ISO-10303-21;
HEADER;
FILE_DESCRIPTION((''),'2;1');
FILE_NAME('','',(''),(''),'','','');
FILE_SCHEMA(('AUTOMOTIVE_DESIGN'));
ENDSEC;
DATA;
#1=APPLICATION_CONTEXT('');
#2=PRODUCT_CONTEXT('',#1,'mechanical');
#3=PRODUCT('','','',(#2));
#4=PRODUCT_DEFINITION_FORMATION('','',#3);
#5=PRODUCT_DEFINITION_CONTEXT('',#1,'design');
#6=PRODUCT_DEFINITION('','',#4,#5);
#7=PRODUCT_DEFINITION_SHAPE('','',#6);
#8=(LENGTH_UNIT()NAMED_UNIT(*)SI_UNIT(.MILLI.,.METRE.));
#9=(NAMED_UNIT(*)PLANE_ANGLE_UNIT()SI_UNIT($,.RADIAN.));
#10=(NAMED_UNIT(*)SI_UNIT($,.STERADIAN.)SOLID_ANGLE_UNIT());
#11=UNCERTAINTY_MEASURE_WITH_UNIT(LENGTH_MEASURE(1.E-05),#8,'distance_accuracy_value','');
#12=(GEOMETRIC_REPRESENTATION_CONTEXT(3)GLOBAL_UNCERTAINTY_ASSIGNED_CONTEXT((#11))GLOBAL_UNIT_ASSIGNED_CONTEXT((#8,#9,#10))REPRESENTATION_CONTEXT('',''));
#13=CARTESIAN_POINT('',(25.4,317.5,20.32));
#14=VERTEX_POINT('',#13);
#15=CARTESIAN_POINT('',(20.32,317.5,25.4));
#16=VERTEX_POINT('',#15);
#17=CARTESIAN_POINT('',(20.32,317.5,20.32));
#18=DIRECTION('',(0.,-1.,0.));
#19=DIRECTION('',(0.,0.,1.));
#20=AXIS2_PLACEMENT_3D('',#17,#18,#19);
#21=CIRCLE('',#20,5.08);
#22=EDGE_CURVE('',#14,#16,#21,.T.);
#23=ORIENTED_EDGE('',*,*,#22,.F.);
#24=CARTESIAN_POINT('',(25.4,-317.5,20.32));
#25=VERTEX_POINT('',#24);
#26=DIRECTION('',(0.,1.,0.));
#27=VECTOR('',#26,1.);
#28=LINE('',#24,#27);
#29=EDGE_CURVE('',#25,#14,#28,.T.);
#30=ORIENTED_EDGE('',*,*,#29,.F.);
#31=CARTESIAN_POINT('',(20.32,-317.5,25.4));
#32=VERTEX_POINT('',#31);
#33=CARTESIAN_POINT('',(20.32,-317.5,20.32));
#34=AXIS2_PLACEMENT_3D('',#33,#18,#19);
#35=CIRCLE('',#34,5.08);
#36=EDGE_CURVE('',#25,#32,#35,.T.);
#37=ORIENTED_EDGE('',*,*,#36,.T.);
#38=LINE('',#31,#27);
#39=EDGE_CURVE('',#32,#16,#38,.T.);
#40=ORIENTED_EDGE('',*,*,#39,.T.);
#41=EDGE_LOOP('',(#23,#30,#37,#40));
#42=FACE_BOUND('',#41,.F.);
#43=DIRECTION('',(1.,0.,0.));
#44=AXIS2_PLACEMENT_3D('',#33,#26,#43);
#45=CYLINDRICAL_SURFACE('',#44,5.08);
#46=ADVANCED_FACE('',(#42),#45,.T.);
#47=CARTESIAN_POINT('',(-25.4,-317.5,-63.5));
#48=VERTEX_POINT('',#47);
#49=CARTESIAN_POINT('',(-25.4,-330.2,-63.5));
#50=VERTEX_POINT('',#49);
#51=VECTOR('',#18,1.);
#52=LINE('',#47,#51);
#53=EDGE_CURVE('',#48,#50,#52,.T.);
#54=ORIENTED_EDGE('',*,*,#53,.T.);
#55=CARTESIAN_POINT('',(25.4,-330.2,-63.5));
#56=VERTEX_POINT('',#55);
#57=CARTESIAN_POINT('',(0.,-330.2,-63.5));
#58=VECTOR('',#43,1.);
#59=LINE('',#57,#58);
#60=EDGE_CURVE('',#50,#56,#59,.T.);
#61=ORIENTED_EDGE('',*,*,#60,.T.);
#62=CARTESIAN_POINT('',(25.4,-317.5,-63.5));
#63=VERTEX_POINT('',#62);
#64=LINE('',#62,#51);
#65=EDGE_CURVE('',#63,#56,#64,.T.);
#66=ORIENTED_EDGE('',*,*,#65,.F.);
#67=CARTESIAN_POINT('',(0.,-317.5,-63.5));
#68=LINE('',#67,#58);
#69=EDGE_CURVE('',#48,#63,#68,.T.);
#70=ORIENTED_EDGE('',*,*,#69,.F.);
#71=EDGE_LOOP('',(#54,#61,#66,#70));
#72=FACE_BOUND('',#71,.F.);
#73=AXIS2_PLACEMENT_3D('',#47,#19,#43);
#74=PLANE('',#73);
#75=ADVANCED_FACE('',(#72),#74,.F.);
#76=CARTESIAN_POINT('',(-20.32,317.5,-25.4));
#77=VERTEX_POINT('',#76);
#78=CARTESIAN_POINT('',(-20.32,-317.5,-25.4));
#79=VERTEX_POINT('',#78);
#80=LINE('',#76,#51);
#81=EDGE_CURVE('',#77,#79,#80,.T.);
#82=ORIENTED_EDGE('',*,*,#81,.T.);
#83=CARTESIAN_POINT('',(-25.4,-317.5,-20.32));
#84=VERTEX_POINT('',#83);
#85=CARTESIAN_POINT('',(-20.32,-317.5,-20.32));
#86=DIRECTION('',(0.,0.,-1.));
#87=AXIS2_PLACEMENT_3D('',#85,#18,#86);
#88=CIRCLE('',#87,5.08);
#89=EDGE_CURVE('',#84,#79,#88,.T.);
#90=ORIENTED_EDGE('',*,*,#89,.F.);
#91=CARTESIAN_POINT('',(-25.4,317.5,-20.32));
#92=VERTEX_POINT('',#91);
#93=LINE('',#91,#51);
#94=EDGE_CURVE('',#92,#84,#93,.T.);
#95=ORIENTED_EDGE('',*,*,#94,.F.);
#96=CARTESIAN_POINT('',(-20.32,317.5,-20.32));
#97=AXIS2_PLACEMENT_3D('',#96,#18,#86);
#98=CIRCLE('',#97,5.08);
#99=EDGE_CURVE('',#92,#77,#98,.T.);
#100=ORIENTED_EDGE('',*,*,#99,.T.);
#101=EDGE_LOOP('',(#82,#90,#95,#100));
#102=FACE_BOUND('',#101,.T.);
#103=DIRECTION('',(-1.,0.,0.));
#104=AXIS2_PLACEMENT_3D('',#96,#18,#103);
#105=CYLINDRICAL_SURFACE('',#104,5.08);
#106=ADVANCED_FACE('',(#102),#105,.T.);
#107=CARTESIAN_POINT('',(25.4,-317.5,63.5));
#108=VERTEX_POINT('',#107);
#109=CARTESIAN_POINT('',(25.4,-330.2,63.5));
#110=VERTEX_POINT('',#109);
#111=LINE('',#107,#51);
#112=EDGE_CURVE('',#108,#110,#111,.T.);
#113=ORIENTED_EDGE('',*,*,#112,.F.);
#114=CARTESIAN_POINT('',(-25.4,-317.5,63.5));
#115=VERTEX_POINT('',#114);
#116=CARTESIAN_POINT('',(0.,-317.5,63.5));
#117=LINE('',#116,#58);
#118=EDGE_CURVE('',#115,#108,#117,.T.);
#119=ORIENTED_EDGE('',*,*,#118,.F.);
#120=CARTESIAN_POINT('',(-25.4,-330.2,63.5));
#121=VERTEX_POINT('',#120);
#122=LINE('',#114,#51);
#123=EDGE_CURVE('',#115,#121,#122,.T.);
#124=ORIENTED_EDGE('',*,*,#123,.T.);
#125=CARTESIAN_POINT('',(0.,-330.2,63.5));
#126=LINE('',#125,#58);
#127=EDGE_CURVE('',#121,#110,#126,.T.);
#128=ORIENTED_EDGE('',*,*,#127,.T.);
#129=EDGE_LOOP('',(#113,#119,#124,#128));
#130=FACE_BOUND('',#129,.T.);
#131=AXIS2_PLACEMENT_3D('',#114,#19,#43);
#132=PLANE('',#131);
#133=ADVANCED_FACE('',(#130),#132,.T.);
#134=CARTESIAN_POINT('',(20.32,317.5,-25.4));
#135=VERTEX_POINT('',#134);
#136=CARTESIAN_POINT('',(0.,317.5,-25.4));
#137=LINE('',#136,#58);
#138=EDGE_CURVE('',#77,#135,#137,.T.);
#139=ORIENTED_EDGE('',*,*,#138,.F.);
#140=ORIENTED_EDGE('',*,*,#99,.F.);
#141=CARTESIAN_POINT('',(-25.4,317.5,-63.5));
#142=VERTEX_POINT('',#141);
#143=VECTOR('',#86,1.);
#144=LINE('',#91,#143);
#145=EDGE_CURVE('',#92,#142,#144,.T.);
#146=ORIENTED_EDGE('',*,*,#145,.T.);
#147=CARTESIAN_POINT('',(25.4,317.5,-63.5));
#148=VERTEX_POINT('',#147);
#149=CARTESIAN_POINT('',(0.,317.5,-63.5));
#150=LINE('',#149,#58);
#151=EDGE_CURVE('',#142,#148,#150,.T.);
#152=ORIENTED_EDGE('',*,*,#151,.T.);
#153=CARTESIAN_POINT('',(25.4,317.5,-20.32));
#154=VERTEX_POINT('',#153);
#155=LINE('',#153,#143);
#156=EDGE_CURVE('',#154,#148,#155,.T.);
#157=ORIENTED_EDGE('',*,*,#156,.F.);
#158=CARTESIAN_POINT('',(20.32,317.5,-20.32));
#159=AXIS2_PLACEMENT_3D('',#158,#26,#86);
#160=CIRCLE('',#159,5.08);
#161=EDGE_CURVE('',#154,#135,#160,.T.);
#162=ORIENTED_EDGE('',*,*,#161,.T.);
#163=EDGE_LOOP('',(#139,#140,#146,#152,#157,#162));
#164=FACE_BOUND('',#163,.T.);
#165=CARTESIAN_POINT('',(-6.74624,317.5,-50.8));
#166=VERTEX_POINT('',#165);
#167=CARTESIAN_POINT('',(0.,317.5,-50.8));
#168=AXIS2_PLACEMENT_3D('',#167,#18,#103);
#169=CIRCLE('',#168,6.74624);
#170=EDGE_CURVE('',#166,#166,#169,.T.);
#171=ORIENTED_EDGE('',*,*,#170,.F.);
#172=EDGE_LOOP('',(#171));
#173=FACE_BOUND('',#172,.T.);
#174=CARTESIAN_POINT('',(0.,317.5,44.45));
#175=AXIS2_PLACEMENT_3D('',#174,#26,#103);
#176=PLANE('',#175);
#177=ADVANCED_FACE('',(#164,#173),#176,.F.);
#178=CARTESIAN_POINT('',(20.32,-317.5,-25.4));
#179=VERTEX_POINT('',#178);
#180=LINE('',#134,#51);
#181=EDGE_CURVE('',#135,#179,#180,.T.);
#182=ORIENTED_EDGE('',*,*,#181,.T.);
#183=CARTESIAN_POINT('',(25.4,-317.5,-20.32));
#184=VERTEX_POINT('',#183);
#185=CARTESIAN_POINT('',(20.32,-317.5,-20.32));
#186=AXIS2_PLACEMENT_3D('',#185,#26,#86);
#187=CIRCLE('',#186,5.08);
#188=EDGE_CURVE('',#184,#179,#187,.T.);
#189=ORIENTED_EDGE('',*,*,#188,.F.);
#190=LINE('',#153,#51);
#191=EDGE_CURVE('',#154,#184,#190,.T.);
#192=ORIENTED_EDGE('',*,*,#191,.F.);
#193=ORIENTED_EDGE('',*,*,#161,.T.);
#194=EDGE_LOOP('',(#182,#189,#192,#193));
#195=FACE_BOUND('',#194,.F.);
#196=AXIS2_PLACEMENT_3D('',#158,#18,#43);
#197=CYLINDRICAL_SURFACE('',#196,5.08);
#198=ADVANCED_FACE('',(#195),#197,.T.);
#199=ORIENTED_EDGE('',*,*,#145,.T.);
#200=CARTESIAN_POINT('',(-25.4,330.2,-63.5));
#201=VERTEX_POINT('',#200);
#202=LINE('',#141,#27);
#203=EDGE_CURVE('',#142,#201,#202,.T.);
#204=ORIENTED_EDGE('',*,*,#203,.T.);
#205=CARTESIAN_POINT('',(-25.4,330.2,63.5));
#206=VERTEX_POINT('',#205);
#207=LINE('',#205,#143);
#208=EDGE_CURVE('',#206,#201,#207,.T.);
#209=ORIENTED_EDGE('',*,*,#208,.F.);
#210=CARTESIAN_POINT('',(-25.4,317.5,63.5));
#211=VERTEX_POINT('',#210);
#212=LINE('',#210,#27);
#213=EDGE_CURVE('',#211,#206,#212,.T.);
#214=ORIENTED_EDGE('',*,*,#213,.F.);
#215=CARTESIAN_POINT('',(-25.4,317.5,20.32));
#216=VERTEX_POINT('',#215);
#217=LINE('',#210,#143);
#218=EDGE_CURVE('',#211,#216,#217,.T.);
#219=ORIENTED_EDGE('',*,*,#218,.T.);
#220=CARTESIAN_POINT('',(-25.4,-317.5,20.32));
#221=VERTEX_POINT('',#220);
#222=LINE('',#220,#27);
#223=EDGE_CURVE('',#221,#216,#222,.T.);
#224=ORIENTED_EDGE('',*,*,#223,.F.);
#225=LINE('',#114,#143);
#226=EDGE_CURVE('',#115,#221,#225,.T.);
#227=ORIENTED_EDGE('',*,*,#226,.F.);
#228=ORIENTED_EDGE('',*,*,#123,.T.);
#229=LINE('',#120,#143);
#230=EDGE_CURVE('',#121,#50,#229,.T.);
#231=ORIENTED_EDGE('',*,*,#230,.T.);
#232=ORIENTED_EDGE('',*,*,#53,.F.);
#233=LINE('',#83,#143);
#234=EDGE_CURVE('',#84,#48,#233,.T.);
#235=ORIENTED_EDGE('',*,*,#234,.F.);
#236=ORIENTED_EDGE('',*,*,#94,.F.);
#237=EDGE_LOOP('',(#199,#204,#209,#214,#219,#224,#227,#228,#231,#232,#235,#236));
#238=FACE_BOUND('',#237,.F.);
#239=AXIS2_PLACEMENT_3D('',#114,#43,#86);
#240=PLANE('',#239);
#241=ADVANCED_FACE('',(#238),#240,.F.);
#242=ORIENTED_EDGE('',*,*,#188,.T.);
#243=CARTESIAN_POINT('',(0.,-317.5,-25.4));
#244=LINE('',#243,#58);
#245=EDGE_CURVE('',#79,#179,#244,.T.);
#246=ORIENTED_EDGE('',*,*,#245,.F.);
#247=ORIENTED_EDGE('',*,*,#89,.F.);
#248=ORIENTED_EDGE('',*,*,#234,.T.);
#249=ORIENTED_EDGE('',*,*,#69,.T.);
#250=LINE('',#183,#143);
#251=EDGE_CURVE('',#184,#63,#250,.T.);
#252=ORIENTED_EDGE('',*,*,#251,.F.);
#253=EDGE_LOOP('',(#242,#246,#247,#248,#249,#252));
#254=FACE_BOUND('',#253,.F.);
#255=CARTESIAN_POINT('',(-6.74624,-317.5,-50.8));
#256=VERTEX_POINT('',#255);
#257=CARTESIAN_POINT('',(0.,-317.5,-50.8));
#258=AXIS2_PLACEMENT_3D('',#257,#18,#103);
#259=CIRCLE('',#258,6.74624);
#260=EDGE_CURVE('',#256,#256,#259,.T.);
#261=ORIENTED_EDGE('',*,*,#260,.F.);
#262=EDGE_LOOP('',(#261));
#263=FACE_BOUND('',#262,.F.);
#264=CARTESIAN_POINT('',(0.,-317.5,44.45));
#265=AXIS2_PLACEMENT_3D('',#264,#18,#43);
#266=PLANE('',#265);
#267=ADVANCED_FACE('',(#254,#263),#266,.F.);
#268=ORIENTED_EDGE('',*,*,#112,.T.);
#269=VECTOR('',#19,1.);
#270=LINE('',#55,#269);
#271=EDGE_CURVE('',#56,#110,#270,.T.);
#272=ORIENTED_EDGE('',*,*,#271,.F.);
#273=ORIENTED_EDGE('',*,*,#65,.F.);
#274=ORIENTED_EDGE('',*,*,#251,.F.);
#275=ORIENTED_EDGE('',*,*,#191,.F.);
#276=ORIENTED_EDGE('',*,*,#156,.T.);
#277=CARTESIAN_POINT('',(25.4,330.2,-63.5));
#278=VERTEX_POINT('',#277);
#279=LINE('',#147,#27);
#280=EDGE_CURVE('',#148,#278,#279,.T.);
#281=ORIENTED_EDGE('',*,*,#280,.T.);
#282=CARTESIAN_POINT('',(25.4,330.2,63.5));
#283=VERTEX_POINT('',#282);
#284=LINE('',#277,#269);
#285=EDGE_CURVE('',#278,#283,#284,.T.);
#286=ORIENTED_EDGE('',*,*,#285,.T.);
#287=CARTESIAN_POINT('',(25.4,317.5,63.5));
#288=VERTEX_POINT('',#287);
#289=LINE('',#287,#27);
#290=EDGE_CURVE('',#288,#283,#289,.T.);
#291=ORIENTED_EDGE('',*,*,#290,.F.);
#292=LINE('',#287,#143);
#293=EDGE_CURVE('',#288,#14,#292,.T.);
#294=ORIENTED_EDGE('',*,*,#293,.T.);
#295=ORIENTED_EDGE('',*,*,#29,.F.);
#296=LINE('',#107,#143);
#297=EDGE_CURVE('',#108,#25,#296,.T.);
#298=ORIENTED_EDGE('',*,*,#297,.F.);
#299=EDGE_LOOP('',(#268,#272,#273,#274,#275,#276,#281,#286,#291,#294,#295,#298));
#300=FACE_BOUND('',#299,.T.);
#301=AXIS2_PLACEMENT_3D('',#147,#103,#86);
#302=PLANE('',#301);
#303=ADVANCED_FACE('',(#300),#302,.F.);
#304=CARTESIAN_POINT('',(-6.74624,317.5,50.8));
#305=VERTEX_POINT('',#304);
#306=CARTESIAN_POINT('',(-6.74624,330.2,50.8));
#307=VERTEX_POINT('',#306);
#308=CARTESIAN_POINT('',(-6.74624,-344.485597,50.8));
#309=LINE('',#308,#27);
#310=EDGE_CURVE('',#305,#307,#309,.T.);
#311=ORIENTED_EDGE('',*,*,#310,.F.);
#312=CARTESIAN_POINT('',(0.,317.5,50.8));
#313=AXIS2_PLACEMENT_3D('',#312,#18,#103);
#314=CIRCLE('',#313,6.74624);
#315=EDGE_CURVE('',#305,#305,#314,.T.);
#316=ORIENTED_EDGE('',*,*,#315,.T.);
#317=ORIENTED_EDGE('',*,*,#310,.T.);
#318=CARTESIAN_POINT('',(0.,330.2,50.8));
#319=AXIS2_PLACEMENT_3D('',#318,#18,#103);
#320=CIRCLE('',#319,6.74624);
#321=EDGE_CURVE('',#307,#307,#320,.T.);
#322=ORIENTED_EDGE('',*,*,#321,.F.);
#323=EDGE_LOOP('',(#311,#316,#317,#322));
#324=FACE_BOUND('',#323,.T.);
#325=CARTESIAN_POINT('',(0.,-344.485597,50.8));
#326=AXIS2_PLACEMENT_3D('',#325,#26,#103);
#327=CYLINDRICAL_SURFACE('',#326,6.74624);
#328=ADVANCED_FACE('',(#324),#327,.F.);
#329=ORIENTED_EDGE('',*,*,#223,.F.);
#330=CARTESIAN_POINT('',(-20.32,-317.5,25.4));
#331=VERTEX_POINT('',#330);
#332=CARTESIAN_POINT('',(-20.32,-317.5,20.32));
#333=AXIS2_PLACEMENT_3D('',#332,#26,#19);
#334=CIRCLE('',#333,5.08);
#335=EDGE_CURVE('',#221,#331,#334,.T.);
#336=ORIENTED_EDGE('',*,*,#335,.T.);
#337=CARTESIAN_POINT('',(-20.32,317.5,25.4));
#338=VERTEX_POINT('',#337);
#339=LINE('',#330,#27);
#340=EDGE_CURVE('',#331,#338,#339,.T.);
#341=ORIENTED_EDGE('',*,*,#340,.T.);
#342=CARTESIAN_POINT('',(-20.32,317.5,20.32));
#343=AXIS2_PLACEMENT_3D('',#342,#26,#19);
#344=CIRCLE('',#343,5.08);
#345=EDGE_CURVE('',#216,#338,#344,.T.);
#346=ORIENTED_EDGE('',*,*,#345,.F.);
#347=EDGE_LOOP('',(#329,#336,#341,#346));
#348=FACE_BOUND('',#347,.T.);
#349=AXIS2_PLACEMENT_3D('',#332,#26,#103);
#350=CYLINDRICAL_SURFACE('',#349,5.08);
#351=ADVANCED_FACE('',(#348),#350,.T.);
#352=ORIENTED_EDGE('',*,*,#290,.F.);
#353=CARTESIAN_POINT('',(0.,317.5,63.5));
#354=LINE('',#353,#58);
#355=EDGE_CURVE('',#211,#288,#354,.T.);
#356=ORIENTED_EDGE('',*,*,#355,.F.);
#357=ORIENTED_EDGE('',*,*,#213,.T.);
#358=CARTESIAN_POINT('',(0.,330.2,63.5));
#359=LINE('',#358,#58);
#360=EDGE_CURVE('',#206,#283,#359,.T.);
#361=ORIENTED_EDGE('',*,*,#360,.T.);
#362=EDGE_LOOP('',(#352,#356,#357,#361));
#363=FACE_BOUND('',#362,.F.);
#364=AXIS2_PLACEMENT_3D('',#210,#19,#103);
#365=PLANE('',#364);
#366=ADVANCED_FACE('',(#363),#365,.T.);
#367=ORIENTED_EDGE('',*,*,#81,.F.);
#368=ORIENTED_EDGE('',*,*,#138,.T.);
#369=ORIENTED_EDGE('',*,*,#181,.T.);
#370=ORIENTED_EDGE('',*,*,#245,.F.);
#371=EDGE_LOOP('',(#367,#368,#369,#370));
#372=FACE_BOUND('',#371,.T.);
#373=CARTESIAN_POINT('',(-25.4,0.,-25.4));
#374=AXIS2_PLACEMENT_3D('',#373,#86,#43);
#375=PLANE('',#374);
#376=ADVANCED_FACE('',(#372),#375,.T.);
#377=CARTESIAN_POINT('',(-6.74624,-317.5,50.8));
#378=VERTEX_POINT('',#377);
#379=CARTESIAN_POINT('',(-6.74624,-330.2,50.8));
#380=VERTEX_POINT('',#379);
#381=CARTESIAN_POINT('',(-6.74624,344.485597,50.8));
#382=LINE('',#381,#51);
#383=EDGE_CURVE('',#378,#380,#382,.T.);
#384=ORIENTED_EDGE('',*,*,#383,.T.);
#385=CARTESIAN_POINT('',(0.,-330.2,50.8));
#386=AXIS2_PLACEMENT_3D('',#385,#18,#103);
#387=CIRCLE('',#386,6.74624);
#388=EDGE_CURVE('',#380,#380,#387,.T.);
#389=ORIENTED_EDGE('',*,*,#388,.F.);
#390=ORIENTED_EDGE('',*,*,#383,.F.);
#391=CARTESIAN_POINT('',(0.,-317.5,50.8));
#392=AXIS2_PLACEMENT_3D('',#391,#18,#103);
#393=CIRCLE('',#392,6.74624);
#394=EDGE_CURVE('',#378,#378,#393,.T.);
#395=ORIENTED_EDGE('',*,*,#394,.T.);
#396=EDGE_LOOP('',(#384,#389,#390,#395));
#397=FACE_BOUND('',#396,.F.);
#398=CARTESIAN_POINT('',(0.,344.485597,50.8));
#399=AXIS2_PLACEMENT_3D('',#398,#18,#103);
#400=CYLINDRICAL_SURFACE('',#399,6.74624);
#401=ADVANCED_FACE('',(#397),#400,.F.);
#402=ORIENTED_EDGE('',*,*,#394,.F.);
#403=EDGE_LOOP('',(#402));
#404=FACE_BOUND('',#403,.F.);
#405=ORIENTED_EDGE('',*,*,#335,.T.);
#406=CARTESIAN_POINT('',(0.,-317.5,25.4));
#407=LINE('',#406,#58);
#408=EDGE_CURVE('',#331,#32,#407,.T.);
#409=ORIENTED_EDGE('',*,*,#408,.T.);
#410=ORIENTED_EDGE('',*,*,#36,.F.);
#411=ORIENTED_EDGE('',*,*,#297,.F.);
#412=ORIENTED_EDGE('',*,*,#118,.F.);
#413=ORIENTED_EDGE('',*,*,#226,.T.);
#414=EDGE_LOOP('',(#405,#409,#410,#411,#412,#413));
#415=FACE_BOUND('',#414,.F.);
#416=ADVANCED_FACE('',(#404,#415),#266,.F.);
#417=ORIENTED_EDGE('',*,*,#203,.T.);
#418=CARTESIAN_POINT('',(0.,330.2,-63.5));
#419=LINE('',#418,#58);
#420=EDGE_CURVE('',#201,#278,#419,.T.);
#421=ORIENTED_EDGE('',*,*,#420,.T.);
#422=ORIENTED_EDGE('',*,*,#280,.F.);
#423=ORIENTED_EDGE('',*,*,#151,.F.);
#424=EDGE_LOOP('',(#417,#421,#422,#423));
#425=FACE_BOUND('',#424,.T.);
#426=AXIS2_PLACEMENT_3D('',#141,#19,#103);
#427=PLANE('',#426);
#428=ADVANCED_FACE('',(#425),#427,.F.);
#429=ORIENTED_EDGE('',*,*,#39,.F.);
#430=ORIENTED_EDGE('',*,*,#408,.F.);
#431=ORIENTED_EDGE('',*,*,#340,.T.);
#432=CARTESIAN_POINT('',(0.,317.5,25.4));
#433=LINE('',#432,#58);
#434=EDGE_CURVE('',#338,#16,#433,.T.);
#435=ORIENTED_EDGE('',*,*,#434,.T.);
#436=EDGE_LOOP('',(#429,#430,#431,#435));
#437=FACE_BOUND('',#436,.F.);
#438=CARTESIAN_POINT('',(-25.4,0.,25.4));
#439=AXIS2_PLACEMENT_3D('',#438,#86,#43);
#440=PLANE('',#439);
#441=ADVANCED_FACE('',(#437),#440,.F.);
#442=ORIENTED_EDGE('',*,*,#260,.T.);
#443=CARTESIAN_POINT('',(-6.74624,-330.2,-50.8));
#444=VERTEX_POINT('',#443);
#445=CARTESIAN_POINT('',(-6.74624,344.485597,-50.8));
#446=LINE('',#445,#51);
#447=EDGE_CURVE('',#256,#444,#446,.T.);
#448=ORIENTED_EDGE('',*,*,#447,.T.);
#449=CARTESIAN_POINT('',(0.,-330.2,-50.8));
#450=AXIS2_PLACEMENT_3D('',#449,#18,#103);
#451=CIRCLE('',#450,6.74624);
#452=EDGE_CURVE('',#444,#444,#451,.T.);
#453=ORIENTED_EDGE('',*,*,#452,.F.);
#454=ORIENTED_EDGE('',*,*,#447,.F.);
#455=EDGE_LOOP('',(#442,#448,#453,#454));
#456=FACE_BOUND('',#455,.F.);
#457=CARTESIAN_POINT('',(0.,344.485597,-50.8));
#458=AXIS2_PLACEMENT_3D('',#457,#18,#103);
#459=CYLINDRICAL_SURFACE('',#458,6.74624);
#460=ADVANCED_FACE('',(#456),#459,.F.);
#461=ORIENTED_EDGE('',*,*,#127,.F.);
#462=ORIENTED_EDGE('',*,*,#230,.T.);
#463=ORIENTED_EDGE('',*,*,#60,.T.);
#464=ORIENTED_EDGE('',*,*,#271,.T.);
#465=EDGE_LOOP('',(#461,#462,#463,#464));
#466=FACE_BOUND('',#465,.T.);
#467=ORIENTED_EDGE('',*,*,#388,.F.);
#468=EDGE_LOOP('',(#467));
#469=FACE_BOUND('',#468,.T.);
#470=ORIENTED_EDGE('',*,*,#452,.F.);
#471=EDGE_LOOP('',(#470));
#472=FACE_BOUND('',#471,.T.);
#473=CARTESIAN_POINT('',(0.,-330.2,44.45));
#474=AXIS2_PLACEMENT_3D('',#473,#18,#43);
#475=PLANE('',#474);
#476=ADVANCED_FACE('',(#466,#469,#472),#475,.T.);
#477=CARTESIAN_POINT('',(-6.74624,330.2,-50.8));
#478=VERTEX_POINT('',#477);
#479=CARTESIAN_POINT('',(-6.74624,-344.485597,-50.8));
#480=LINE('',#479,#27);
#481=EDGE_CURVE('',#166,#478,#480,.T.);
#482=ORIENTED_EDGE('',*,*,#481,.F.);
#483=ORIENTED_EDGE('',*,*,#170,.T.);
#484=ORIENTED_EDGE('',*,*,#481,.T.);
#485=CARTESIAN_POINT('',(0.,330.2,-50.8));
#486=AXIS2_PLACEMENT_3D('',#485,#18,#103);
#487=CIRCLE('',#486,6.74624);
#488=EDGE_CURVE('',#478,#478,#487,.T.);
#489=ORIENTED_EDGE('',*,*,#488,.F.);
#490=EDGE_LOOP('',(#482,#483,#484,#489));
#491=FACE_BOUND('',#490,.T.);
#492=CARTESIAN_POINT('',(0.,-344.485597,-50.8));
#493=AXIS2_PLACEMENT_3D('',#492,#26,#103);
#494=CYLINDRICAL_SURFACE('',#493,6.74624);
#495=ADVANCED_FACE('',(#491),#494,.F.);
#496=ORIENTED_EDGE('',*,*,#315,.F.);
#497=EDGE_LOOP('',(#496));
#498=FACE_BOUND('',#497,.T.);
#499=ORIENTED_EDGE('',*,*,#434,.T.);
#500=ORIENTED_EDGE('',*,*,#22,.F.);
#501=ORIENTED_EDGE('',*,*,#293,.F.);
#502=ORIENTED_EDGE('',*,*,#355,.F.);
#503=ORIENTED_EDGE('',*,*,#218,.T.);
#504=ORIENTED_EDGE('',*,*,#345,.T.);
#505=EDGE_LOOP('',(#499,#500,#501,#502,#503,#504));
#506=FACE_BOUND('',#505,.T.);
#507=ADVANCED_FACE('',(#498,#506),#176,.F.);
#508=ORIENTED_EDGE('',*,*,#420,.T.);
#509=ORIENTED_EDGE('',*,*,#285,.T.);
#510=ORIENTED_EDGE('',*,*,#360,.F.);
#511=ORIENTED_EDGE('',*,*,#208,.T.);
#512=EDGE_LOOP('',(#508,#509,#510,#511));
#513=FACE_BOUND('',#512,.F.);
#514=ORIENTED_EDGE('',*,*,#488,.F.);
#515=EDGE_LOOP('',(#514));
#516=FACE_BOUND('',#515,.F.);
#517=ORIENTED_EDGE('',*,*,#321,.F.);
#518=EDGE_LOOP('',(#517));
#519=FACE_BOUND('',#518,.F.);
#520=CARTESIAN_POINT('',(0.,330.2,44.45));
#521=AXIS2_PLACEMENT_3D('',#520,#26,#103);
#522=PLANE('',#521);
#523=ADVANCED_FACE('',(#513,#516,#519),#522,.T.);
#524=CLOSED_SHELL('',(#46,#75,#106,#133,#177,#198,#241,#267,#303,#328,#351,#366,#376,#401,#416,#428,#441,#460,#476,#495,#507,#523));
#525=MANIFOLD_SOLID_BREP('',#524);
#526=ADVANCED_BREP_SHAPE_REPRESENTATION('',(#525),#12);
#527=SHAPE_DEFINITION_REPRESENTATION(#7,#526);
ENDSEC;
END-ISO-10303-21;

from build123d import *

# Parameters (mm, degrees)
F0_W     = 50.8
F0_H     = 50.8
F1_DEPTH = 317.5
F2_W     = 50.8
F2_H     = 38.1
F2_H_2   = 50.8
F3_DEPTH = 12.7
F4_R     = 5.08
F5_D     = 13.49248


with BuildPart() as f1:
    # F0 (on Front) → F1 (new body, symmetric)
    with BuildSketch(Plane.XZ):
        Rectangle(F0_W, F0_H)
    extrude(amount=F1_DEPTH, both=True)

    # F2 (on face) → F3 (join)
    with BuildSketch(Plane.XZ.offset(317.5)):
        with Locations((0, 44.45)):
            Rectangle(F2_W, F2_H)
        Rectangle(F2_W, F2_H_2)
        with Locations((0, -44.45)):
            Rectangle(F2_W, F2_H)
    extrude(amount=F3_DEPTH)

    # F4
    f4_edges = [f1.edges().sort_by_distance(p)[0] for p in [
        (25.4, 0, 25.4),
        (-25.4, 0, 25.4),
        (-25.4, 0, -25.4),
        (25.4, 0, -25.4),
    ]]
    fillet(f4_edges, radius=F4_R)

    # F5 (through all)
    with Locations(Plane(origin=(0, -317.5, 0), x_dir=(1, 0, 0), z_dir=(0, 1, 0))):
        with Locations((0, -50.8), (0, 50.8)):
            Hole(F5_D / 2)

    # F6: F1 across plane


with BuildPart() as f1_1:
    add(f1.part)
    add(f1.part.mirror(Plane.XZ))


solid = f1_1.part
